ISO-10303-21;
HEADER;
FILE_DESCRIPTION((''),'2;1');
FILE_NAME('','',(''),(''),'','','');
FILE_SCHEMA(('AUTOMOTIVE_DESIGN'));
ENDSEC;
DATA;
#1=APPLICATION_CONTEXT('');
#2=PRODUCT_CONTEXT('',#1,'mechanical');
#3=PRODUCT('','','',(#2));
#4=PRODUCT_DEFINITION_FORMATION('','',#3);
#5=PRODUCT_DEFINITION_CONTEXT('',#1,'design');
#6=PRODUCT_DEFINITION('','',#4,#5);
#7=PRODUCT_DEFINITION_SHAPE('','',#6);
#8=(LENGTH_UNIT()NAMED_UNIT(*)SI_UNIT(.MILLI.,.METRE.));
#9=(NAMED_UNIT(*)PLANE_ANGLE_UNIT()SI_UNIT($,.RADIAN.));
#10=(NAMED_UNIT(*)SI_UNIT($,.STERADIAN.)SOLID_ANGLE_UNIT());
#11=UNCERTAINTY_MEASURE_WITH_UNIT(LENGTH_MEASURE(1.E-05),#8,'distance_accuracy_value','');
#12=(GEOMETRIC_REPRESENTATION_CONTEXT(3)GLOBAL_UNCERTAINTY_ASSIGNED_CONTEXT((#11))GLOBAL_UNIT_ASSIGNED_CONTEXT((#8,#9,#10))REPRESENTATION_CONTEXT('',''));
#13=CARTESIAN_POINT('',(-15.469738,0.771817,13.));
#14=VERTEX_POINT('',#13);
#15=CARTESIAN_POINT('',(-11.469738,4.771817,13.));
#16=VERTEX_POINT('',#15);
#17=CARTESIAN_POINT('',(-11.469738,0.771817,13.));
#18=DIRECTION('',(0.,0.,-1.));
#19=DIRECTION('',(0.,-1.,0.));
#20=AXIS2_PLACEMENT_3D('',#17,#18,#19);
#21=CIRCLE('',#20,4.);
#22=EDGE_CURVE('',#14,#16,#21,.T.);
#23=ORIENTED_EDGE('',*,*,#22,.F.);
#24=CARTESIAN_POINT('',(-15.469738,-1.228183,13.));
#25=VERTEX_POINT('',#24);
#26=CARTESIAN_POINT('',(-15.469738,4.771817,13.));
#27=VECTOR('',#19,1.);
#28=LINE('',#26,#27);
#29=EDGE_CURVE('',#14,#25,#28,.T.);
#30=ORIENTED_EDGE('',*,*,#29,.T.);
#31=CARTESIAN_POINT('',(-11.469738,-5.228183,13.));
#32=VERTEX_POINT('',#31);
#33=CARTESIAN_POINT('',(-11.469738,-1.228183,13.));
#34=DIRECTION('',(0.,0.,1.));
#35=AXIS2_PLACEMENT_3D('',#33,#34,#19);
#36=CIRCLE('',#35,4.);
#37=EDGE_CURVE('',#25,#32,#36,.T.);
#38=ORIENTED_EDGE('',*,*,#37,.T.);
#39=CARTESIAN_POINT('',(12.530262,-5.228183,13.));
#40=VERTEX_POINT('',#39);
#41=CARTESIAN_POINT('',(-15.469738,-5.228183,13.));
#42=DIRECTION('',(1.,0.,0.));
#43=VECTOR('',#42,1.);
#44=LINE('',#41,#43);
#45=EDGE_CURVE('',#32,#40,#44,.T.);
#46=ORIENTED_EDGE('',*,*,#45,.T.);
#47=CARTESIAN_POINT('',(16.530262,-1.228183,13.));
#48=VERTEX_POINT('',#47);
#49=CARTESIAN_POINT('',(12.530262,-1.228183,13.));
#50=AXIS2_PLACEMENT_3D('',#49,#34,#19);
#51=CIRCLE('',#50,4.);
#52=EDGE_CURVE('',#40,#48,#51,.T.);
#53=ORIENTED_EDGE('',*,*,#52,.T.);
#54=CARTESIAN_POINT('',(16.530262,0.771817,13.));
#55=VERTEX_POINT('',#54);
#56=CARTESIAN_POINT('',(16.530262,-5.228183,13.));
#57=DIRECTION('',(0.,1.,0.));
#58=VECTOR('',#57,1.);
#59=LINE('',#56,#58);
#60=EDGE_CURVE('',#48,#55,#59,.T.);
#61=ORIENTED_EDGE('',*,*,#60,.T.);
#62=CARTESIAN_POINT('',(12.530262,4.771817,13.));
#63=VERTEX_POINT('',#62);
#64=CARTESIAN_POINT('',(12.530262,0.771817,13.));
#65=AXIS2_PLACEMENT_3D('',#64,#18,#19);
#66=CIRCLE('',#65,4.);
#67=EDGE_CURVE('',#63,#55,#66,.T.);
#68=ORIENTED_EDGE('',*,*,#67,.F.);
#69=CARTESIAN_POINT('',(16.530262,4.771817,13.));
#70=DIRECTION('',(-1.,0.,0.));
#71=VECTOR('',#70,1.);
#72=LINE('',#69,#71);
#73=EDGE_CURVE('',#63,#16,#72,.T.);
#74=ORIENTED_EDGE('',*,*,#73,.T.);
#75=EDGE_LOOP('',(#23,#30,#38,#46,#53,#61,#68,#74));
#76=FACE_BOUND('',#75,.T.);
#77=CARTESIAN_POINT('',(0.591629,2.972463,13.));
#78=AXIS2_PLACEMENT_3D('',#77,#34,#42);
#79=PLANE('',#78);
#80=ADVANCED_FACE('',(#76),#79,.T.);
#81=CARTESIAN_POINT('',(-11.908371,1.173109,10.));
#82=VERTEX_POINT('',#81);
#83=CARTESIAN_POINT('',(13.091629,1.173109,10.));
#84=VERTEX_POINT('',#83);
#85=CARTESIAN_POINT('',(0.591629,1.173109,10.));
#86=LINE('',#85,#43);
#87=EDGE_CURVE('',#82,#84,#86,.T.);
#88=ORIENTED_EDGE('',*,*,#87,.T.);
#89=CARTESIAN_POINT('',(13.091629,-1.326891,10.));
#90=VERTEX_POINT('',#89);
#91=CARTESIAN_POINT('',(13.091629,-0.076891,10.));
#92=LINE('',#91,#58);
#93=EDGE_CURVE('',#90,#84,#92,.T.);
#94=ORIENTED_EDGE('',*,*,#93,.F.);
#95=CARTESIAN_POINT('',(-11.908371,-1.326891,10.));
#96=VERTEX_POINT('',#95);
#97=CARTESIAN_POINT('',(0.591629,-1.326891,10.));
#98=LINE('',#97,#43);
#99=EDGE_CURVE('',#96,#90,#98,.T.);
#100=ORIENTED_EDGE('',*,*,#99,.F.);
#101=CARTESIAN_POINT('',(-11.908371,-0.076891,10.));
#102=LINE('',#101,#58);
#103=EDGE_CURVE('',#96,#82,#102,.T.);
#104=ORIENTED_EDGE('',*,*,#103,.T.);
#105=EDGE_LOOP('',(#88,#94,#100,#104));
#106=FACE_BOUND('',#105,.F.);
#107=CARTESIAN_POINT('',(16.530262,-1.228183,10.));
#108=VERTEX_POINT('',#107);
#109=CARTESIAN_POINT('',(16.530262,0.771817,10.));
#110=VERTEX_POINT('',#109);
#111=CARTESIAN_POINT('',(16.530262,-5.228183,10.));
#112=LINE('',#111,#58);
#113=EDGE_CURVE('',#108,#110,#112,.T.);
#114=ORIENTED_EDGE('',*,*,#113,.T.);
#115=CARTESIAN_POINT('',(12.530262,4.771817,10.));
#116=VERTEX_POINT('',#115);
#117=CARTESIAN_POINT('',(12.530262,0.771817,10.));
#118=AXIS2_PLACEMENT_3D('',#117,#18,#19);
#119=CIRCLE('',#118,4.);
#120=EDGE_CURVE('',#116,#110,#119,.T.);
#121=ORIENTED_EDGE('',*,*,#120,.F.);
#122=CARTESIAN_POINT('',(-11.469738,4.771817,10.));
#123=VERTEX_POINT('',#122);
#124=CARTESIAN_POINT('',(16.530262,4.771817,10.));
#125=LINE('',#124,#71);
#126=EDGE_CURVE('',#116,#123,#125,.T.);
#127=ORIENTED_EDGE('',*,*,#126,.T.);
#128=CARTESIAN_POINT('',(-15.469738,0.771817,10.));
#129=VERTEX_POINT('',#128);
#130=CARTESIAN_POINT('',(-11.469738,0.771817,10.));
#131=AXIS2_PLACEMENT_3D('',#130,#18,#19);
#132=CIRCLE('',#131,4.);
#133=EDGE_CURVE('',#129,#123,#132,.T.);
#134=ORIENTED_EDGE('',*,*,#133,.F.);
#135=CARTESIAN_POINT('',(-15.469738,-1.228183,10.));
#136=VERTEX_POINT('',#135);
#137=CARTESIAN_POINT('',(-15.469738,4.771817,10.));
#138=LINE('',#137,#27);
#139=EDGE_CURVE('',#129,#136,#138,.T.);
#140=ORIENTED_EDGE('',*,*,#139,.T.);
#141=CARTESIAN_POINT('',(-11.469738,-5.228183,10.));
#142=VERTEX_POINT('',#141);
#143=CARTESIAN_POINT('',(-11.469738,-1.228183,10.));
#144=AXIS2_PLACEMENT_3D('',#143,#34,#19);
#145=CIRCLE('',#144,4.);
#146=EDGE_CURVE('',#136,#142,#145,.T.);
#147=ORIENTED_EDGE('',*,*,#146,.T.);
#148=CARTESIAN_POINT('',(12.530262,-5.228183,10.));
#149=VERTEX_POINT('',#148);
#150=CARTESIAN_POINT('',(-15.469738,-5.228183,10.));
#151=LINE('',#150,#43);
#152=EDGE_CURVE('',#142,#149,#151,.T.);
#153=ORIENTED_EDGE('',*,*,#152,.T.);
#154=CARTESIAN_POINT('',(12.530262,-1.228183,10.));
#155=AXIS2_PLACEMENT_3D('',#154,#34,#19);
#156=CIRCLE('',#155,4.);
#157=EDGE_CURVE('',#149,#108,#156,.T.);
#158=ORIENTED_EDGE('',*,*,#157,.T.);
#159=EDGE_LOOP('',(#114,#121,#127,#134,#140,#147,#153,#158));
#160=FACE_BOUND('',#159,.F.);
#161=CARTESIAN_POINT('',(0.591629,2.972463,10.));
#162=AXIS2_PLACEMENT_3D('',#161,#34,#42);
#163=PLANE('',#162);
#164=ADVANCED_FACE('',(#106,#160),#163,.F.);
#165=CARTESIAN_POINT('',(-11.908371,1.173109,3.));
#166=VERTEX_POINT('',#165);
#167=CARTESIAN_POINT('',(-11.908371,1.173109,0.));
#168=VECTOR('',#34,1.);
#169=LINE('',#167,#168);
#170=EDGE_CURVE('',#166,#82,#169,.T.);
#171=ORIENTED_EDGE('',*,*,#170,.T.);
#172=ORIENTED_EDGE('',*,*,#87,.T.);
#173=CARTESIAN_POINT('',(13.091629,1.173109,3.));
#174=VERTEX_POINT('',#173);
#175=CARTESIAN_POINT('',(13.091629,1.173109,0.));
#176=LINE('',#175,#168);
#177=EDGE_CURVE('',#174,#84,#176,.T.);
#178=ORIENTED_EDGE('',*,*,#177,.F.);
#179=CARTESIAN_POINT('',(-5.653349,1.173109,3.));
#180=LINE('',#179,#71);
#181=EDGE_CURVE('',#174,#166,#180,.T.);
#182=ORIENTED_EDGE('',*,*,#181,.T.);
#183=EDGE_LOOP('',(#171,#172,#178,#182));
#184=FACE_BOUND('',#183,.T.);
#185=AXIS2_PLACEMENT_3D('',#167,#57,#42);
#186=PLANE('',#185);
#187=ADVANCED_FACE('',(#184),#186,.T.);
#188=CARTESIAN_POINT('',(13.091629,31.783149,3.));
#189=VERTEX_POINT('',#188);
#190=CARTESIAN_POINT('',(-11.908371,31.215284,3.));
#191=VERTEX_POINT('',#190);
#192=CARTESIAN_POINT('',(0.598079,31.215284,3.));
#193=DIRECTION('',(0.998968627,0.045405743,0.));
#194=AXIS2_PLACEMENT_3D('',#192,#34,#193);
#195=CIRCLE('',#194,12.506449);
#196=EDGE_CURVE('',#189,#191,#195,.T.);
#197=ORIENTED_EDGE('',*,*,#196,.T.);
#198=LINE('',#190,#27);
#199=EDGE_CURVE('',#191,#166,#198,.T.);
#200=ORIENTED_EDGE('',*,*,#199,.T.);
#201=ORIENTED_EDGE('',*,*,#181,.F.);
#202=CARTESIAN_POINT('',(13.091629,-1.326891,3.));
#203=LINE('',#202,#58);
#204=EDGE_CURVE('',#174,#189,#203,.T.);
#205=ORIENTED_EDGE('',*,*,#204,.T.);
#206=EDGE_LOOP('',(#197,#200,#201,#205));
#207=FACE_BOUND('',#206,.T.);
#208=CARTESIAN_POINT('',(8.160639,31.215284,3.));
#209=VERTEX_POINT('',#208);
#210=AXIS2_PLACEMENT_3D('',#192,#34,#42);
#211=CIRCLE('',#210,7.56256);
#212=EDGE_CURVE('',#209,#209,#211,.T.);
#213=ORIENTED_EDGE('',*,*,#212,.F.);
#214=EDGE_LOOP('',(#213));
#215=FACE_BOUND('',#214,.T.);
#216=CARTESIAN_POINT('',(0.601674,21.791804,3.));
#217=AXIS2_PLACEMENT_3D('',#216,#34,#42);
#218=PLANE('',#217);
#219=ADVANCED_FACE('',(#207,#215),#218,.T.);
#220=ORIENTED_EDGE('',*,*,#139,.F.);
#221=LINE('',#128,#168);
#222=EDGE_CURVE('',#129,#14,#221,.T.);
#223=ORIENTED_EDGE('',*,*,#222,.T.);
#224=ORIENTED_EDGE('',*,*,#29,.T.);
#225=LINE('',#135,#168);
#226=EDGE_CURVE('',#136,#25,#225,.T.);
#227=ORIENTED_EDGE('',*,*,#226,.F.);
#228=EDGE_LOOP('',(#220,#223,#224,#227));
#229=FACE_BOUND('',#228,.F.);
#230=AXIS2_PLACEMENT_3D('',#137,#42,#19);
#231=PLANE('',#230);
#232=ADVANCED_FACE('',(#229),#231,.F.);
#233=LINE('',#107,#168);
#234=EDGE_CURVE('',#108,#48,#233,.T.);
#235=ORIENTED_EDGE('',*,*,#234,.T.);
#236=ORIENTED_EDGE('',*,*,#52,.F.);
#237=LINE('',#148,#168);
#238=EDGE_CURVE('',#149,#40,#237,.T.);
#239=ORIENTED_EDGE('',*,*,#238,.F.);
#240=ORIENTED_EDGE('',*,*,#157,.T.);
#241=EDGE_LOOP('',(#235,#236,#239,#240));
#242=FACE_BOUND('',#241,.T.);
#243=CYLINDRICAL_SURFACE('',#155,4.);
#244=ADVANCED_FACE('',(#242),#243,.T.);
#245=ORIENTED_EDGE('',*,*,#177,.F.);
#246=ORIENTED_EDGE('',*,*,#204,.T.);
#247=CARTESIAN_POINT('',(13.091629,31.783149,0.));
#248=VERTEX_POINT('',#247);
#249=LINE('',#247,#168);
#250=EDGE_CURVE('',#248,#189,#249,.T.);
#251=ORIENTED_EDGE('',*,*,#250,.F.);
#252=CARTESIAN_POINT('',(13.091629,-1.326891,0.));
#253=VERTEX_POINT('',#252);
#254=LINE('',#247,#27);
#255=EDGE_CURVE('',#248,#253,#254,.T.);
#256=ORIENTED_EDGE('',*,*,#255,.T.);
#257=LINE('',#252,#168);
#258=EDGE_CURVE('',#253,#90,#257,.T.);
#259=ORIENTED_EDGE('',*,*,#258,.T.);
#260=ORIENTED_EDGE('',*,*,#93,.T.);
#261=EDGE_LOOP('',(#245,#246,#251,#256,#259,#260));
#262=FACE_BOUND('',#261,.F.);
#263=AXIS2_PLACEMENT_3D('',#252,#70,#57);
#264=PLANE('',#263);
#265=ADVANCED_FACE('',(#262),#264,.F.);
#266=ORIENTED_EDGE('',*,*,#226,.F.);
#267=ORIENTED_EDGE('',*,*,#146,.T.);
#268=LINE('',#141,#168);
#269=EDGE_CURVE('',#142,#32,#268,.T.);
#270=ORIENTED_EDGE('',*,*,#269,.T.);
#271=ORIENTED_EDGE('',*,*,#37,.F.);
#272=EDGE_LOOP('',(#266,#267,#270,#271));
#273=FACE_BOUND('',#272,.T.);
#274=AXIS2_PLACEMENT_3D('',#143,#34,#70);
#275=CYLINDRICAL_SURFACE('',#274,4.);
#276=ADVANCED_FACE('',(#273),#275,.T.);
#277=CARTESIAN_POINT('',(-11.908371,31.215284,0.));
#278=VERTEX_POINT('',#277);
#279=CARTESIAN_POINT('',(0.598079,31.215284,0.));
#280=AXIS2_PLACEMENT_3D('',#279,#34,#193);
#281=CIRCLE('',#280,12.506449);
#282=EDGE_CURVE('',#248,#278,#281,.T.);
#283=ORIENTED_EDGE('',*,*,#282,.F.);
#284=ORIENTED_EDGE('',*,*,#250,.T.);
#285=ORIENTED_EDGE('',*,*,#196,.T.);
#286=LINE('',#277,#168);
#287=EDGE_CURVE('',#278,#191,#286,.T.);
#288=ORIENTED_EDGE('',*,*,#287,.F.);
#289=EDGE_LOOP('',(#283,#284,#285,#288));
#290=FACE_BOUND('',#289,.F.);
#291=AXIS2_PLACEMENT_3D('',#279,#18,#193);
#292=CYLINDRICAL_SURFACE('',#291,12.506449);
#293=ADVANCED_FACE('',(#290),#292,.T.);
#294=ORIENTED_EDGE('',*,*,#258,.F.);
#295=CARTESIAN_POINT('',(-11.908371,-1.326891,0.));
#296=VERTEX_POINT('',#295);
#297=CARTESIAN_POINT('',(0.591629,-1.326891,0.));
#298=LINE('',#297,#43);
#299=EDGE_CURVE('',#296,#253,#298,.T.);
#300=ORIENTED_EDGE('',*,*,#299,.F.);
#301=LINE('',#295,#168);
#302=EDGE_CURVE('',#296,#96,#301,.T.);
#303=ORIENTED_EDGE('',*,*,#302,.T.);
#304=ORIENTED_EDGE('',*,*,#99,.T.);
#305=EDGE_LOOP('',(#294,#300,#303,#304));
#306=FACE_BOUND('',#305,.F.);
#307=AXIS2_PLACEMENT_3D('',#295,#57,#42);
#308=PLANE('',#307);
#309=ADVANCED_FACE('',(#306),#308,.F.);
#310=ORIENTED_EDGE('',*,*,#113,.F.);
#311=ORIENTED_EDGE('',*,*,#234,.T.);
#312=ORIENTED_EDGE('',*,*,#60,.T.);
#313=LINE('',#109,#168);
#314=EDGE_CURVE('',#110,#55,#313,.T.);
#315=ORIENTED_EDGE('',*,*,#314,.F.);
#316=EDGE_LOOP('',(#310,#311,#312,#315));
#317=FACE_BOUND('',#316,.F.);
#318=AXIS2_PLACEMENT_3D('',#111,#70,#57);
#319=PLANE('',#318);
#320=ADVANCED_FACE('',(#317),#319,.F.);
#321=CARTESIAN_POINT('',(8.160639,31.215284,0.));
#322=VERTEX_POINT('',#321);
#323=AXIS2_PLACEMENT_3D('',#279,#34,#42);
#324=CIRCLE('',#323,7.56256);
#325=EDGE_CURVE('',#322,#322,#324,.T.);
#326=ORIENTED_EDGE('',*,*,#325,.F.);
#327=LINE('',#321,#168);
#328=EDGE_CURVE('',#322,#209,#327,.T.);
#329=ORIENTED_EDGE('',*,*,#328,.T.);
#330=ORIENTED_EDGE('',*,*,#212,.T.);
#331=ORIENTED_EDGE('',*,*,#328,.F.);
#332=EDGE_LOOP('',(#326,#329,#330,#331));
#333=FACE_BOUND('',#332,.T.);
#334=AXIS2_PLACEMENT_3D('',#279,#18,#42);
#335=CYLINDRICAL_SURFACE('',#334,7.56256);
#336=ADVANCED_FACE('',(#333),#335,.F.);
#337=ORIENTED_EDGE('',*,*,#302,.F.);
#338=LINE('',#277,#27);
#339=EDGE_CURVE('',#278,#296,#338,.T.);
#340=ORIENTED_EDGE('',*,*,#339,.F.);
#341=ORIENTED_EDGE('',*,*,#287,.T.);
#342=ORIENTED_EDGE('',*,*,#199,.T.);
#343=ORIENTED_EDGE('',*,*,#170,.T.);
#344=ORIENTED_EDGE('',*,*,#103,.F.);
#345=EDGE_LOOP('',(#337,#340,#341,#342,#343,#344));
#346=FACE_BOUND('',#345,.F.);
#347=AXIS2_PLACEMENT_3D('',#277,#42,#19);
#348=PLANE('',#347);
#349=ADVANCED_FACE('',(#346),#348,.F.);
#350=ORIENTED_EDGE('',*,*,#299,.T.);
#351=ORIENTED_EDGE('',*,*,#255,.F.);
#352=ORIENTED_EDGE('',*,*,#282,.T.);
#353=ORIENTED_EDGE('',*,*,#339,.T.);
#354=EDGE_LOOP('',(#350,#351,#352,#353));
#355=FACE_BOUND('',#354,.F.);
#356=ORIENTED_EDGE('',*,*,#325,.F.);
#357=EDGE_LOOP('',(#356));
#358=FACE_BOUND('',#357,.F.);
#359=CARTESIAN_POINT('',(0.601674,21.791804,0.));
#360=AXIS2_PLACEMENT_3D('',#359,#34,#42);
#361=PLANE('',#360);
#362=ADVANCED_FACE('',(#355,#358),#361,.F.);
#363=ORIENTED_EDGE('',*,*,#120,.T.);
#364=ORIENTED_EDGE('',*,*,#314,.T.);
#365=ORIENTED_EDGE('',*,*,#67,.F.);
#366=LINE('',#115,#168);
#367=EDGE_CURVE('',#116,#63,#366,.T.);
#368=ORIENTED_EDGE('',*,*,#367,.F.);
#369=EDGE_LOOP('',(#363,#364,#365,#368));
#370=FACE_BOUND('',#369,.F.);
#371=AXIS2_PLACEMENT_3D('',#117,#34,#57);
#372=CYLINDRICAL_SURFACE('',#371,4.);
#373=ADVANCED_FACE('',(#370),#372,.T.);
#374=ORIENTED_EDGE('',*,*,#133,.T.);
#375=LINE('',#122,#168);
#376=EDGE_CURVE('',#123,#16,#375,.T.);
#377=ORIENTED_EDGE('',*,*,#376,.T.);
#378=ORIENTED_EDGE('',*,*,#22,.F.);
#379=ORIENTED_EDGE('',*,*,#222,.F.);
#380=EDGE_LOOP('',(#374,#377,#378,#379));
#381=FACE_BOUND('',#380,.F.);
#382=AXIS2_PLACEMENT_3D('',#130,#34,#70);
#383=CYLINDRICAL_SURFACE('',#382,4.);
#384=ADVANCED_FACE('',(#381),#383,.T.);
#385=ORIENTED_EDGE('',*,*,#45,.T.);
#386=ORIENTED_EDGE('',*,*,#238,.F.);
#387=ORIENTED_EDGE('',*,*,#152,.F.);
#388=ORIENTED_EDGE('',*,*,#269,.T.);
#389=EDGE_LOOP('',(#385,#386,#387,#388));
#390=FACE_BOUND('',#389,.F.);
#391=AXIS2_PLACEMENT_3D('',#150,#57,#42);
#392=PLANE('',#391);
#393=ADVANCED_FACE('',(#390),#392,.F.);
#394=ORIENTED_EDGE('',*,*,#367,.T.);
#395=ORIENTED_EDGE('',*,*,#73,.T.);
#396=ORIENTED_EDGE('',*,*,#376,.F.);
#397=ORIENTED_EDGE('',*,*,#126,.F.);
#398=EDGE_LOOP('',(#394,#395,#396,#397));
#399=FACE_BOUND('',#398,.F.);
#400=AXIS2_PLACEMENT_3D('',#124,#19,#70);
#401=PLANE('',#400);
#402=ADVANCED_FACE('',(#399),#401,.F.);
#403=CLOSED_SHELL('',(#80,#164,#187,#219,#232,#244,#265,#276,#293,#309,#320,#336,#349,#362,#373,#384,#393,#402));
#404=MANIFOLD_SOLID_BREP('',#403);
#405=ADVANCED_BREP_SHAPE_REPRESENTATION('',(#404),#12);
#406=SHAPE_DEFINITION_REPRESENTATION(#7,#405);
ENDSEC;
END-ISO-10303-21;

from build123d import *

# Parameters (mm, degrees)
F0_R     = 7.5625599735
F0_W     = 25
F0_H     = 3.598708484
F0_H_2   = 2.5
F1_DEPTH = 3
F2_DEPTH = 10
F3_START = 10
F3_DEPTH = 3
F4_R     = 4


with BuildPart() as f1:
    # F0 (on Top) → F1 (new body)
    with BuildSketch(Plane.XY):
        with BuildLine():
            Line((-11.908370629, 31.2152840197), (-11.908370629, 4.7718174662))
            Line((-11.908370629, 4.7718174662), (13.091629371, 4.7718174662))
            Line((13.091629371, 4.7718174662), (13.091629371, 31.7831486464))
            ThreePointArc((13.091629371, 31.7831486464), (0.3140732241, 43.7185083062), (-11.908370629, 31.2152840197))
        make_face()
        with Locations((0.5980787757, 31.2152840197)):
            Circle(F0_R, mode=Mode.SUBTRACT)
        with Locations((0.591629371, 2.9724632242)):
            Rectangle(F0_W, F0_H)
        with Locations((0.591629371, -0.0768910178)):
            Rectangle(F0_W, F0_H_2)
    extrude(amount=F1_DEPTH)

    # F0 (on Top) → F2 (join)
    with BuildSketch(Plane.XY):
        with Locations((0.591629371, -0.0768910178)):
            Rectangle(F0_W, F0_H_2)
    extrude(amount=F2_DEPTH)

    # F0 (on Top) → F3 (join)
    with BuildSketch(Plane.XY.offset(F3_START)):
        with Locations((0.591629371, 2.9724632242)):
            Rectangle(F0_W, F0_H)
        Polygon((-11.908370629, -1.3268910178), (-11.908370629, 1.1731089822), (-11.908370629, 4.7718174662), (-15.4697376937, 4.7718174662), (-15.4697376937, -5.2281825338), (16.5302623063, -5.2281825338), (16.5302623063, 4.7718174662), (13.091629371, 4.7718174662), (13.091629371, 1.1731089822), (13.091629371, -1.3268910178), align=None)
        with Locations((0.591629371, -0.0768910178)):
            Rectangle(F0_W, F0_H_2)
    extrude(amount=F3_DEPTH)

    # F4
    f4_edges = [f1.edges().sort_by_distance(p)[0] for p in [
        (16.530262, -5.228183, 11.5),
        (16.530262, 4.771817, 11.5),
        (-15.469738, -5.228183, 11.5),
        (-15.469738, 4.771817, 11.5),
    ]]
    fillet(f4_edges, radius=F4_R)


solid = f1.part
